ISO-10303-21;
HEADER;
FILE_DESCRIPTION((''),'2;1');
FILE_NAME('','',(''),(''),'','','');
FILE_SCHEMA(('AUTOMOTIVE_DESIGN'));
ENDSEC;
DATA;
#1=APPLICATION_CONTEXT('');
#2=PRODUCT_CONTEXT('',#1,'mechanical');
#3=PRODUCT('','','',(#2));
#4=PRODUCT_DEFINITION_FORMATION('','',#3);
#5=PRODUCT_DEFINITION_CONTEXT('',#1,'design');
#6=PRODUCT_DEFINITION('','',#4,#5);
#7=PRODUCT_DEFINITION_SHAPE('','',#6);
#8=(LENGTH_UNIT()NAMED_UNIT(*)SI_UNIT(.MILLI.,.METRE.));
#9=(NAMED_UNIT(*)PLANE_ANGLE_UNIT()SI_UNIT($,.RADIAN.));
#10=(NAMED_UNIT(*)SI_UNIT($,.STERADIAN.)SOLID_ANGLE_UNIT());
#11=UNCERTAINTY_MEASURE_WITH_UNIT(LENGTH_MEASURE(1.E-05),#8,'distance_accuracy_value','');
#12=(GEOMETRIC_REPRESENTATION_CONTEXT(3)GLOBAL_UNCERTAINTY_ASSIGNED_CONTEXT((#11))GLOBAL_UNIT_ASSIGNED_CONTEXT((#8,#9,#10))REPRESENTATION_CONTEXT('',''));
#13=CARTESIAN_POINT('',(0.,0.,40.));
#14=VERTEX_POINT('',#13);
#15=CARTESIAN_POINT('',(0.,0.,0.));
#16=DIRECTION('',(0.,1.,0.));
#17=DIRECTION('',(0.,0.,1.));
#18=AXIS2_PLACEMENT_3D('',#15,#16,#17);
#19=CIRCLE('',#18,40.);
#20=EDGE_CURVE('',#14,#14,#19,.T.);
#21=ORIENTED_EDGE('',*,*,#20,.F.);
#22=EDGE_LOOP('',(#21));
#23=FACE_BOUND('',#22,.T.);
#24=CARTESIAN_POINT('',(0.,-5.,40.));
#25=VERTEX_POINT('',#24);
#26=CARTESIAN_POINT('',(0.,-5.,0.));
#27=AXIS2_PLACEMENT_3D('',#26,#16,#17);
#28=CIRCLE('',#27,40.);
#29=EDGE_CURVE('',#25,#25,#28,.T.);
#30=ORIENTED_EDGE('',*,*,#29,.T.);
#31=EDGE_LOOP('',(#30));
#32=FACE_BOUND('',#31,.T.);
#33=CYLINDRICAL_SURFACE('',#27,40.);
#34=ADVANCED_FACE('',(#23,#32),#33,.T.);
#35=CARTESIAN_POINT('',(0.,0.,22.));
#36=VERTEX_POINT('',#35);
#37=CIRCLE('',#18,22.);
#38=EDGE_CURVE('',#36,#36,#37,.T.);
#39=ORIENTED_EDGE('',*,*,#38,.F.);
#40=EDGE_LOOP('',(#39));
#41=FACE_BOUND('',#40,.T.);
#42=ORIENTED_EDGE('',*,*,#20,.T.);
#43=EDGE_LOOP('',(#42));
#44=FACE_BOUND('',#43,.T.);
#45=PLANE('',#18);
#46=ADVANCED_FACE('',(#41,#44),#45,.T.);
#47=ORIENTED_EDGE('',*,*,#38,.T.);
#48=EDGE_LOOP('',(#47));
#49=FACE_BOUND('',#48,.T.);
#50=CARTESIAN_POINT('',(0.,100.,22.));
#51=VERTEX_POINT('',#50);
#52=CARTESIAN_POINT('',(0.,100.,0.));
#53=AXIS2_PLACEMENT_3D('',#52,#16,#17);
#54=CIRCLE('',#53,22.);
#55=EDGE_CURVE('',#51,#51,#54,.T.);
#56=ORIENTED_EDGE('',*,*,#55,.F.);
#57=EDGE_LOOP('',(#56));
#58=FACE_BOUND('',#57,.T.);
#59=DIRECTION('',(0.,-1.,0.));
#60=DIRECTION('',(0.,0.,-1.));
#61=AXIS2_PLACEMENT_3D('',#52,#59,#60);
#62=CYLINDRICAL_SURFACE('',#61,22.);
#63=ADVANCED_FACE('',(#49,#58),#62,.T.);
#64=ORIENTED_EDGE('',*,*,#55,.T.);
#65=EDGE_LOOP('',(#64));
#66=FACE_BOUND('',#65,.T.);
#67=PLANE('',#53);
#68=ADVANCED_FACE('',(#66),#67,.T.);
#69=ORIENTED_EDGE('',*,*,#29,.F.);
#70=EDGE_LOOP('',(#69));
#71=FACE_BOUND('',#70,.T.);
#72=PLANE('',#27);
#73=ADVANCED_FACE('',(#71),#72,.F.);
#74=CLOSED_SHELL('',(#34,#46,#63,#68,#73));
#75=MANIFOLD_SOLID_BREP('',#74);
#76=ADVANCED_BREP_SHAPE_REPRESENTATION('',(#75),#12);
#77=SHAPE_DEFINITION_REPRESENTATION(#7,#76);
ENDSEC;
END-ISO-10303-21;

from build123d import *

# Parameters (mm, degrees)
SKETCH1_R           = 22
BOSS_EXTRUDE1_DEPTH = 100
SKETCH2_R           = 40
BOSS_EXTRUDE2_DEPTH = 5


with BuildPart() as part:
    # Sketch1 → Boss-Extrude1 (new body)
    with BuildSketch(Plane(origin=(0, 0, 0), x_dir=(1, 0, 0), z_dir=(0, 1, 0))):
        with Locations(Location((0, 0, 0), (0, 0, 270))):
            Circle(SKETCH1_R)
    extrude(amount=BOSS_EXTRUDE1_DEPTH)

    # Sketch2 → Boss-Extrude2 (add)
    with BuildSketch(Plane(origin=(0, 0, 0), x_dir=(1, 0, 0), z_dir=(0, 1, 0))):
        with Locations(Location((0, 0, 0), (0, 0, 270))):
            Circle(SKETCH2_R)
    extrude(amount=-BOSS_EXTRUDE2_DEPTH)


solid = part.part
